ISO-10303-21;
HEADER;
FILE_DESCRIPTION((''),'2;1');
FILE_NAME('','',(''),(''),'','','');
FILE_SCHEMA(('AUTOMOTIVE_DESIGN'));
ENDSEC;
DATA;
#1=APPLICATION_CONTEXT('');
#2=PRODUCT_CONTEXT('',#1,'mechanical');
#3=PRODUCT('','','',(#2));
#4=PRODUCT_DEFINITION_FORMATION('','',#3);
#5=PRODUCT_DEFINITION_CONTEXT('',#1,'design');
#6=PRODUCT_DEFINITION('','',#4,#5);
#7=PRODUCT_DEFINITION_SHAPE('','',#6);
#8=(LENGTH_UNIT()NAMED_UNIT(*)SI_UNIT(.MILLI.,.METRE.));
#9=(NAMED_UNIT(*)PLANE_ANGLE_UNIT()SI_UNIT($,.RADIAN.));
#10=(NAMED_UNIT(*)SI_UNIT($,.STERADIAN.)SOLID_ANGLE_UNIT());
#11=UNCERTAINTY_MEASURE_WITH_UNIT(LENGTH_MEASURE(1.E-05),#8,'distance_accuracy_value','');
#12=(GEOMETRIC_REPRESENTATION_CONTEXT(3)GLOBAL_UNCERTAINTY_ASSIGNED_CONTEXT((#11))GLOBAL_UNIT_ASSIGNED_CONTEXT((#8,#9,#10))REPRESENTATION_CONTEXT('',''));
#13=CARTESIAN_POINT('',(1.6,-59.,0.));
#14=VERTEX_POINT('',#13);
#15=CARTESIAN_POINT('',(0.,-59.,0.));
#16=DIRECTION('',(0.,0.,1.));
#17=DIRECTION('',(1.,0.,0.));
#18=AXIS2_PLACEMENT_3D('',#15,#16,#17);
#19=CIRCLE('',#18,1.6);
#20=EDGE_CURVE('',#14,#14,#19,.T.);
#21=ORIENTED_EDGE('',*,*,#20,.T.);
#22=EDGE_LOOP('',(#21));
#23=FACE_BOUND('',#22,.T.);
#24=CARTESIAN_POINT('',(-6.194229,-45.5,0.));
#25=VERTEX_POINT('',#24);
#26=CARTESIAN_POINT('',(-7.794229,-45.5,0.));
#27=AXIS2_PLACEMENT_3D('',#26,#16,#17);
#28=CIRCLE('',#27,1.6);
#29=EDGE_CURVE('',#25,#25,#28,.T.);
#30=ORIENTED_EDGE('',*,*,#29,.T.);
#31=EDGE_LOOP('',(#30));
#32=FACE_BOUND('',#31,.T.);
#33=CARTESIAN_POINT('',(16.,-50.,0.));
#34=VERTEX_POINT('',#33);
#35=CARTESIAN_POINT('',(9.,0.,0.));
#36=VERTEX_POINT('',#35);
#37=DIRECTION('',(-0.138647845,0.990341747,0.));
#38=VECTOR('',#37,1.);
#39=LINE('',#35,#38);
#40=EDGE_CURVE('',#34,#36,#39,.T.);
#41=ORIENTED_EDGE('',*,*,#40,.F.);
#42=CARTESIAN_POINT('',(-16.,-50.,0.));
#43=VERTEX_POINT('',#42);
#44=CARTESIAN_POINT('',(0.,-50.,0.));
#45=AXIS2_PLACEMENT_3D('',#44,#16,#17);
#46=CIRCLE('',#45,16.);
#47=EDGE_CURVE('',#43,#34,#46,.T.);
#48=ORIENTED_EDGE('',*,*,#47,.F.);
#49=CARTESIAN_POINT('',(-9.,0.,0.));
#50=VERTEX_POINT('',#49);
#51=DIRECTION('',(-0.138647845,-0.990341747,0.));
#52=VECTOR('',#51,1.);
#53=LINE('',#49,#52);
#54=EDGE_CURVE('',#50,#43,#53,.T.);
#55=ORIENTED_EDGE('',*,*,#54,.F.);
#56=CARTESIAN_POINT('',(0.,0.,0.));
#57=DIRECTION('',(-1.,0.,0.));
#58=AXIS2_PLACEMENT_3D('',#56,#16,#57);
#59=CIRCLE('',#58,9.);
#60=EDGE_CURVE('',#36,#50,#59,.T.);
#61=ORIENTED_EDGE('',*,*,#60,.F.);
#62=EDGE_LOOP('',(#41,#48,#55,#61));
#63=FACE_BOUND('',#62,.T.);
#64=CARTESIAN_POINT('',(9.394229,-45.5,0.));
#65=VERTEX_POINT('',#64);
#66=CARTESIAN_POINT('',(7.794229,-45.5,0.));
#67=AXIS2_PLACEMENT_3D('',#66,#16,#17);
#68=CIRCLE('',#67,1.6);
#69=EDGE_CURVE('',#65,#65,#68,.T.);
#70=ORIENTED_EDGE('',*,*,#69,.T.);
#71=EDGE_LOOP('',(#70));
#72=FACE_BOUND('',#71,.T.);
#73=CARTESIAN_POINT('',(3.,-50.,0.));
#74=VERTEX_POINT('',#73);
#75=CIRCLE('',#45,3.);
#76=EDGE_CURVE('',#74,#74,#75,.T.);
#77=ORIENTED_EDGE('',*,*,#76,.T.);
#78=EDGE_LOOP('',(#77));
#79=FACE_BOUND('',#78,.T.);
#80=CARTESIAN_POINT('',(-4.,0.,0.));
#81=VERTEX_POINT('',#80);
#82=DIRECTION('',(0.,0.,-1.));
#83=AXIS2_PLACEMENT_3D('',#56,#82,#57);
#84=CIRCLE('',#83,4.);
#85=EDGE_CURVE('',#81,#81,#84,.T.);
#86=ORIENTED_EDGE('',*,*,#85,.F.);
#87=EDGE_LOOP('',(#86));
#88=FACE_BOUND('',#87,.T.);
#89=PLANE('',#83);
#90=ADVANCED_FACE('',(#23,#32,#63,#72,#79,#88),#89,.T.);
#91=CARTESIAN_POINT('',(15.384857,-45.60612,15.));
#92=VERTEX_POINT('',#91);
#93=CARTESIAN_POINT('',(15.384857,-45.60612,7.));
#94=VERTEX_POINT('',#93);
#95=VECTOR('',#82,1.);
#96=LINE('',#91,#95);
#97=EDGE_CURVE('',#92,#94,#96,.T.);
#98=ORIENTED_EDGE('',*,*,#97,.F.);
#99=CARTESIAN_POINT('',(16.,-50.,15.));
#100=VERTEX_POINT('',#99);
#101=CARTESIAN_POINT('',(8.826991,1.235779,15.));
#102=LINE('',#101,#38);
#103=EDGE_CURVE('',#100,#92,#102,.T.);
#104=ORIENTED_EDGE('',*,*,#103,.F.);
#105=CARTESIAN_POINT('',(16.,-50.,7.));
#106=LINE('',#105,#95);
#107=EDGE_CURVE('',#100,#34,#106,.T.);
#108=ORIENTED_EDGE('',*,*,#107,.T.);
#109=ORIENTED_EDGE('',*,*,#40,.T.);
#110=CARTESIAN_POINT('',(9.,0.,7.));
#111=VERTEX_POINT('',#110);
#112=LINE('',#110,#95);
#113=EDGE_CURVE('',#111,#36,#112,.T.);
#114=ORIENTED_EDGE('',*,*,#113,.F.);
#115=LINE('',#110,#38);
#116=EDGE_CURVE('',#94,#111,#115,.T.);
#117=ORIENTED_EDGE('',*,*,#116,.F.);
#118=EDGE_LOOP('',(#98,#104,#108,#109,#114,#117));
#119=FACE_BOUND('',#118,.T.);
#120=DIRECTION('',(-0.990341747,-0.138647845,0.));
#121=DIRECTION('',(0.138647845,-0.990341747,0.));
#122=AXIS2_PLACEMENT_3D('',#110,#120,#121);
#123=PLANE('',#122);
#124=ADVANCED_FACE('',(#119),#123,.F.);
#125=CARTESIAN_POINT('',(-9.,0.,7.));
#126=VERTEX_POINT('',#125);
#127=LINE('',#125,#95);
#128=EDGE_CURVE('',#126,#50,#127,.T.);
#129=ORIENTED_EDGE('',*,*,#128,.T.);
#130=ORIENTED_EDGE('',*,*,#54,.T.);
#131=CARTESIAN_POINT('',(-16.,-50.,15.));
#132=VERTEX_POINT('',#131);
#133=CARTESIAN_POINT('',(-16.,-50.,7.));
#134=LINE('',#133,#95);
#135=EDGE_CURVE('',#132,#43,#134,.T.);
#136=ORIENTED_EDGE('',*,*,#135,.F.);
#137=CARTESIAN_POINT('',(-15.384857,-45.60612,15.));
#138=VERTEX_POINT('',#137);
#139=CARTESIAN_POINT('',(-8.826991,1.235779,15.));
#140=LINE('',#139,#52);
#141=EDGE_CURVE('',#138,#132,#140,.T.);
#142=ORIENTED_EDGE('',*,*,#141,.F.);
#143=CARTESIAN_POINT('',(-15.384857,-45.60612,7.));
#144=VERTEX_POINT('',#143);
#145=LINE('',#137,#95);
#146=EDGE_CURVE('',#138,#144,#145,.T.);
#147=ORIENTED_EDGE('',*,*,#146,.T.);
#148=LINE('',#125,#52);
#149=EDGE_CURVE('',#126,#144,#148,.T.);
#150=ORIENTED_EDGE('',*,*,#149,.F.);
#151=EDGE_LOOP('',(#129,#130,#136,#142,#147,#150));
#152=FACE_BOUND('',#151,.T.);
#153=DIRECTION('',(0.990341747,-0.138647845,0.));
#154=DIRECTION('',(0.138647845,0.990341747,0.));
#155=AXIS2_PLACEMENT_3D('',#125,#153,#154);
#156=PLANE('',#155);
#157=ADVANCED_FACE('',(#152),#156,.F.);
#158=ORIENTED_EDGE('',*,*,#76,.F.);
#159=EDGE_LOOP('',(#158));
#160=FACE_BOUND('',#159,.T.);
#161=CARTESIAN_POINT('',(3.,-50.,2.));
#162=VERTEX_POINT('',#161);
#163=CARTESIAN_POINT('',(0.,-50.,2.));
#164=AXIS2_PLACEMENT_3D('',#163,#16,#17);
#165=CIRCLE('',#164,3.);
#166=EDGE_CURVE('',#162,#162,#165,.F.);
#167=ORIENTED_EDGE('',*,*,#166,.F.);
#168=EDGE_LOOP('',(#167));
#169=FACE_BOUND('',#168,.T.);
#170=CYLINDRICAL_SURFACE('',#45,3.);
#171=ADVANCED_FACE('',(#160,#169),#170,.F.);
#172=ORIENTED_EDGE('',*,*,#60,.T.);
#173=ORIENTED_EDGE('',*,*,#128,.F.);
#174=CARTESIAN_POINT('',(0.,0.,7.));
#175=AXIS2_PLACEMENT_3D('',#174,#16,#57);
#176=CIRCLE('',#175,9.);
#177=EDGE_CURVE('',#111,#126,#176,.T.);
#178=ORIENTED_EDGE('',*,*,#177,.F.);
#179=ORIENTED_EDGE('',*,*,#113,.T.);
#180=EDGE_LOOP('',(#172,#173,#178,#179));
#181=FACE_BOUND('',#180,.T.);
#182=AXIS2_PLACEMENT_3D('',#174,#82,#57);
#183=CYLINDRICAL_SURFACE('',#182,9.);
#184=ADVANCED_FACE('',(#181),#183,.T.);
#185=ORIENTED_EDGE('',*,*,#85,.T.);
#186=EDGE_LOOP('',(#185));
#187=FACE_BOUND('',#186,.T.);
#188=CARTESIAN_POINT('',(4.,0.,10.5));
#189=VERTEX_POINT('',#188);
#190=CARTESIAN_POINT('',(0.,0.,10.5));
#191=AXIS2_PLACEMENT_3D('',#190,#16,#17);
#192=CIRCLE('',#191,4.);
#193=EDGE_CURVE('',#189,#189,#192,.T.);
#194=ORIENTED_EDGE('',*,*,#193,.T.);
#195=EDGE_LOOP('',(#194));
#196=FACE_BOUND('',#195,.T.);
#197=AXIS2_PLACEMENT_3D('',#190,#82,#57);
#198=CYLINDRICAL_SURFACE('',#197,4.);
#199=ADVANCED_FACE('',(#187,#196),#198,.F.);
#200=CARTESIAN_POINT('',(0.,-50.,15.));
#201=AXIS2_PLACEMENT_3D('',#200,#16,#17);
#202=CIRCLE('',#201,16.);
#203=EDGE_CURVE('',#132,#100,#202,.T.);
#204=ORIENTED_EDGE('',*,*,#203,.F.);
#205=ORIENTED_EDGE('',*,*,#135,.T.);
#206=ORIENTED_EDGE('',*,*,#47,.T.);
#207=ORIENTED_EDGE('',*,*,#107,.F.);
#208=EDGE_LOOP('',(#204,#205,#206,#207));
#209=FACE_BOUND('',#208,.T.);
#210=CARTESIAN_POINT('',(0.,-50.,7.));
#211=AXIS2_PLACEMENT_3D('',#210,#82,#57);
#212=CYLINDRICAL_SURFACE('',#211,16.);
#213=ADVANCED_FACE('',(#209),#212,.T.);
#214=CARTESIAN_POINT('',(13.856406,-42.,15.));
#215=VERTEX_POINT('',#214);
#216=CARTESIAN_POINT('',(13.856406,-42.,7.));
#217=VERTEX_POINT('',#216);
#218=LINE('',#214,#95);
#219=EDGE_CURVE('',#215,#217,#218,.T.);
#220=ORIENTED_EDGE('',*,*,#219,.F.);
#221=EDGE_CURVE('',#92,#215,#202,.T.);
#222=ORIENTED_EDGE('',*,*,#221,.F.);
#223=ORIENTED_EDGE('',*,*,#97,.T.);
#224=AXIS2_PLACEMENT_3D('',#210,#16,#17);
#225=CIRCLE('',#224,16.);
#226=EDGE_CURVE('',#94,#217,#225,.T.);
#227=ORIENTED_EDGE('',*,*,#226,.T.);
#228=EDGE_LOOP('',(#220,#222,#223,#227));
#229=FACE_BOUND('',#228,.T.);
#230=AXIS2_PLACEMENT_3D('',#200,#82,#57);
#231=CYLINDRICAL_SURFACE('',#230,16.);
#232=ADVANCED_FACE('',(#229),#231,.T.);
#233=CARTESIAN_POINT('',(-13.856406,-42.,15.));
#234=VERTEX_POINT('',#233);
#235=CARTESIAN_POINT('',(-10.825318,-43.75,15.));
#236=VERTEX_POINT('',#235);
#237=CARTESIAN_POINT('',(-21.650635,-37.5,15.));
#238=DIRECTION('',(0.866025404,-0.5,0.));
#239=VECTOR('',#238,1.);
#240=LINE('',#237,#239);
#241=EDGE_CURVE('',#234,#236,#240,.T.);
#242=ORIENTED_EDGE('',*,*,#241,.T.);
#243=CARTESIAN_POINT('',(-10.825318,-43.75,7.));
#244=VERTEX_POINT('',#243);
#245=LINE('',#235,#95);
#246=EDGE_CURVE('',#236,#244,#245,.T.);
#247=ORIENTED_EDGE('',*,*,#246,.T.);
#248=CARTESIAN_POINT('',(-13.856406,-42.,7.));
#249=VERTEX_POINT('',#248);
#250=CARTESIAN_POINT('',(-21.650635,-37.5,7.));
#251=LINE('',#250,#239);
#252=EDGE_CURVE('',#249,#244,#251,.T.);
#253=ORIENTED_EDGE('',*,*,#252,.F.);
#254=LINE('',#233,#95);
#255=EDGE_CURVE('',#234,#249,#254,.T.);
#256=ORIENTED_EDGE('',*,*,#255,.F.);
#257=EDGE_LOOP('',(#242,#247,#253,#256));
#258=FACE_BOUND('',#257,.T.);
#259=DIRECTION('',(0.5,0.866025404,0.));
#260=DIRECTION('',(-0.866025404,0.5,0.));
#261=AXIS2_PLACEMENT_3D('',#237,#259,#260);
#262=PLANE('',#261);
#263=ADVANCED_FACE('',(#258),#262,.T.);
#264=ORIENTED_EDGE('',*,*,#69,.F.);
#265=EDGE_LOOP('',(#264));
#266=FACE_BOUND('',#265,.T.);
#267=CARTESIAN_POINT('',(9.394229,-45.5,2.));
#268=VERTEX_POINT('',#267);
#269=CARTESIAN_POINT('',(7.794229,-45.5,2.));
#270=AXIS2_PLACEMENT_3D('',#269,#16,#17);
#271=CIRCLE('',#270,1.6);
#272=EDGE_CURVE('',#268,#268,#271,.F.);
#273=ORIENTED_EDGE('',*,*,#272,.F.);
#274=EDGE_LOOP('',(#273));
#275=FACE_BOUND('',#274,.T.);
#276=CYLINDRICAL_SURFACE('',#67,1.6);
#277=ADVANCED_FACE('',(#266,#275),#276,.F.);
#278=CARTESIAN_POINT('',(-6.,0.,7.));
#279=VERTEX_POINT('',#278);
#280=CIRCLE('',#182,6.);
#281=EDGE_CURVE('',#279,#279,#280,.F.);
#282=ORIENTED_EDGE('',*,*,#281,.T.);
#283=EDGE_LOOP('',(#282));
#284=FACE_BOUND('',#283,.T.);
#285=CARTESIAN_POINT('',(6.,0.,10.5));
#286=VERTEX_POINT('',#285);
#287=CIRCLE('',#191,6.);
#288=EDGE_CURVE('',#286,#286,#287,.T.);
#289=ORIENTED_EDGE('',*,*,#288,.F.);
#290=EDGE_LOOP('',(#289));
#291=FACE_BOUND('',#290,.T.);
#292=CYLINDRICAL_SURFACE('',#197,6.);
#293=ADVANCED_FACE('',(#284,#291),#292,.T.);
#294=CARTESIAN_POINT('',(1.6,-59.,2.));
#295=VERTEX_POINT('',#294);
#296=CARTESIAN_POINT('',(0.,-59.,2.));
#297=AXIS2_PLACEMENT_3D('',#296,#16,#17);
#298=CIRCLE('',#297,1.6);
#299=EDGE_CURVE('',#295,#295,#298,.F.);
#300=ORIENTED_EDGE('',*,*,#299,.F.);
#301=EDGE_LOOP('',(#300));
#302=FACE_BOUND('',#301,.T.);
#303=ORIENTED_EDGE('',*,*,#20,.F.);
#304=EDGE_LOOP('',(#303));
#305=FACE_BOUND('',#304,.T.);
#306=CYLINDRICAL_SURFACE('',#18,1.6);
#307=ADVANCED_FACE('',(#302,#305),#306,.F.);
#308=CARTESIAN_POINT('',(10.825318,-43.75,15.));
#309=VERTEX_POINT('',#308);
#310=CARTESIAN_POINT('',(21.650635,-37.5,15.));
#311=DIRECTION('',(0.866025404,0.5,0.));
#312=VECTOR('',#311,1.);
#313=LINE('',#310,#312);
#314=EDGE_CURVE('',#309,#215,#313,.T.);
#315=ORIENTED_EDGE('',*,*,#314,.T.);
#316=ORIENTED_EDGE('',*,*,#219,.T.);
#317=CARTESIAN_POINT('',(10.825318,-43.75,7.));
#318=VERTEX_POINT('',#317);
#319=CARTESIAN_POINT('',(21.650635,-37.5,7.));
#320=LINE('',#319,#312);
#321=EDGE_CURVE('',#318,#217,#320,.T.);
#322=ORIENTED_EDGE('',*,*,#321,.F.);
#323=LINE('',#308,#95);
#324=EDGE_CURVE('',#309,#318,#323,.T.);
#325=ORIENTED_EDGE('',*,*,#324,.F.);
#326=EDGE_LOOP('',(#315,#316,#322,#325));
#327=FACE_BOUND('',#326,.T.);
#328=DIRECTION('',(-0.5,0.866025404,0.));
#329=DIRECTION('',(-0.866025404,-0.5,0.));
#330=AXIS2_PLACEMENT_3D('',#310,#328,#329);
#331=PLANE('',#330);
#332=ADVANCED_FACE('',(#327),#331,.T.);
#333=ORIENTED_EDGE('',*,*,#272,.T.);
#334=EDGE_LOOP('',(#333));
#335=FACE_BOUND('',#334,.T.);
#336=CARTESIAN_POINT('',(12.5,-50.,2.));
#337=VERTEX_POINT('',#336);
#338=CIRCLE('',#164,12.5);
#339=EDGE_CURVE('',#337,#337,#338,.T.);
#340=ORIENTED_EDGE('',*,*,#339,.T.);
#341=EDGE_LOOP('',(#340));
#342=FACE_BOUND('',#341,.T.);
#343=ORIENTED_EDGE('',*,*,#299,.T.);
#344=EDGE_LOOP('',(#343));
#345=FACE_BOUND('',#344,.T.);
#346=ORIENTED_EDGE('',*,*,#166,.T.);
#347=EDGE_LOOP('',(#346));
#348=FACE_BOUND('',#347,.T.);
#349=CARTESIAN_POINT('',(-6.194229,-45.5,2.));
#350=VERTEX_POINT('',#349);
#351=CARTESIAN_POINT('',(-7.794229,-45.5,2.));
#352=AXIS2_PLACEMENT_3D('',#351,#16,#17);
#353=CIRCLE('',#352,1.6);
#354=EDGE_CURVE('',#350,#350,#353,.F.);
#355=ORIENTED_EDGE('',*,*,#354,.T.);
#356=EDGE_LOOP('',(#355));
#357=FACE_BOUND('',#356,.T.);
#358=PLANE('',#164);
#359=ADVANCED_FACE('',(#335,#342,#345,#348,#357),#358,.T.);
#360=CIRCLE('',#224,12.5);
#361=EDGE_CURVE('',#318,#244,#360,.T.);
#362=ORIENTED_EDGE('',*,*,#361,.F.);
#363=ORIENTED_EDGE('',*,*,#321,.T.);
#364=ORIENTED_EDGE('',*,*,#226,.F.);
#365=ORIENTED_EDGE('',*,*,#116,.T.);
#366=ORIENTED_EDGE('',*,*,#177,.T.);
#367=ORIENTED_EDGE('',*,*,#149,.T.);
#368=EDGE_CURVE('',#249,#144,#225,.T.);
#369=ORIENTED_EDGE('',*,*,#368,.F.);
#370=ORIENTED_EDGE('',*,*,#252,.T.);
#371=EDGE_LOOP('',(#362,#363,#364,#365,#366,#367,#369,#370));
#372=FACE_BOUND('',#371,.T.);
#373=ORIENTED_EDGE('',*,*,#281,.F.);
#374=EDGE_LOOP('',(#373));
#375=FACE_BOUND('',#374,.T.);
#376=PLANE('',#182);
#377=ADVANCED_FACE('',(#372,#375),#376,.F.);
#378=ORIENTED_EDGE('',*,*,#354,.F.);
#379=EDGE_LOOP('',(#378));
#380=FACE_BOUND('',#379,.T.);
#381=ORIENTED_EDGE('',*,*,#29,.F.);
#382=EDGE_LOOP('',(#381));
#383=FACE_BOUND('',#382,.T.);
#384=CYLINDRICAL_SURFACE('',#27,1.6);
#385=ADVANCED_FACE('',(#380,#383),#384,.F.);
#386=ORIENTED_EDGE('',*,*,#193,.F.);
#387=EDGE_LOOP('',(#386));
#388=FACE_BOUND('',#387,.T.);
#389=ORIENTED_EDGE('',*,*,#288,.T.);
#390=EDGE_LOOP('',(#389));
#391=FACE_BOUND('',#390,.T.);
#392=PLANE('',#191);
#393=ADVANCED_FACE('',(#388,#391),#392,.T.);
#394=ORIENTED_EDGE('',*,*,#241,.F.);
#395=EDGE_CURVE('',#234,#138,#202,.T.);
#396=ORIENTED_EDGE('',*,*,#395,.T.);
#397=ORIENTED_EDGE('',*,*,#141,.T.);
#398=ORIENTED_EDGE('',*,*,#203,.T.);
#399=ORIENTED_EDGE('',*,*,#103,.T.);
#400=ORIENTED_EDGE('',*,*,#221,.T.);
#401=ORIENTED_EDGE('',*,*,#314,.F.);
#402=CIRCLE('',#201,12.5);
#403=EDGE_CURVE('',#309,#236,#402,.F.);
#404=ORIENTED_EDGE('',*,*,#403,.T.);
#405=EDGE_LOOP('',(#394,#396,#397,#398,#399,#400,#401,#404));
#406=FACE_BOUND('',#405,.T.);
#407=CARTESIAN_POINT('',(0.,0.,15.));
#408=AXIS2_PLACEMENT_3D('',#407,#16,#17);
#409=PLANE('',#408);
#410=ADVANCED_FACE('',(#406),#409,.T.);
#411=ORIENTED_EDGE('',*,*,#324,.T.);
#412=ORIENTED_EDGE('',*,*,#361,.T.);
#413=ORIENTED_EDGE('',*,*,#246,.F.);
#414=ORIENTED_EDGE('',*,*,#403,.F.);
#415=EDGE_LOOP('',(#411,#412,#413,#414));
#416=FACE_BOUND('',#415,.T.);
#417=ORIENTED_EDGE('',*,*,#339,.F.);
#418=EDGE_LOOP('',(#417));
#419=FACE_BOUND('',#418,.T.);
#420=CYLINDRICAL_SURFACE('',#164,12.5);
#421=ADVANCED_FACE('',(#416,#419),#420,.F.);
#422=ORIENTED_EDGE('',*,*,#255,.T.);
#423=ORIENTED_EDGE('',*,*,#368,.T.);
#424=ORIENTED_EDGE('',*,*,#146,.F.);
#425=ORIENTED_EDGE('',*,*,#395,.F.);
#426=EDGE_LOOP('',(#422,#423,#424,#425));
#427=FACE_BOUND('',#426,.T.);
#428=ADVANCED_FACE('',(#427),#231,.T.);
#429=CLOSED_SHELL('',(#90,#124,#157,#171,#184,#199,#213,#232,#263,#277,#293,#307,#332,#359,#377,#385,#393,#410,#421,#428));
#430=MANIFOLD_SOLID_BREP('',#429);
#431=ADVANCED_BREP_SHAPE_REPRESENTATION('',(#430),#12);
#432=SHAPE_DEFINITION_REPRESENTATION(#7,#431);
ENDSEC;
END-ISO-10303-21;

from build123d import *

# Parameters (mm, degrees)
BOSS_EXTRU_1_DEPTH      = 7
ESQUISSE2_R             = 3
ENL_V_MAT_EXTRU_1_DEPTH = 7
ESQUISSE3_R             = 1.6
ENL_V_MAT_EXTRU_2_DEPTH = 7
ESQUISSE5_R             = 12.5
ENL_V_MAT_EXTRU_5_DEPTH = 5
ESQUISSE17_R            = 6
ESQUISSE17_R_2          = 4
BOSS_EXTRU_6_DEPTH      = 3.5
BOSS_EXTRU_8_DEPTH      = 8
ENL_V_START             = -8
ESQUISSE19_R            = 4
ENL_V_MAT_EXTRU_6_DEPTH = 8


with BuildPart() as part:
    # Esquisse1 → Boss.-Extru.1 (new body)
    with BuildSketch(Plane.XY):
        with BuildLine():
            Line((9, 0), (16, -50))
            ThreePointArc((16, -50), (0, -66), (-16, -50))
            Line((-16, -50), (-9, 0))
            ThreePointArc((-9, 0), (0, 9), (9, 0))
        make_face()
    extrude(amount=BOSS_EXTRU_1_DEPTH)

    # Esquisse2 → Enlèv. mat.-Extru.1 (cut)
    with BuildSketch(Plane.XY.offset(7)):
        with Locations((0, -50)):
            Circle(ESQUISSE2_R)
    extrude(amount=-ENL_V_MAT_EXTRU_1_DEPTH, mode=Mode.SUBTRACT)

    # Esquisse3 → Enlèv. mat.-Extru.2 (cut)
    with BuildSketch(Plane.XY.offset(7)):
        with Locations((0, -59)):
            Circle(ESQUISSE3_R)
        with Locations((-7.794228634, -45.5)):
            Circle(ESQUISSE3_R)
        with Locations((7.794228634, -45.5)):
            Circle(ESQUISSE3_R)
    extrude(amount=-ENL_V_MAT_EXTRU_2_DEPTH, mode=Mode.SUBTRACT)

    # Esquisse5 → Enlèv. mat.-Extru.5 (cut)
    with BuildSketch(Plane.XY.offset(7)):
        with Locations((0, -50)):
            Circle(ESQUISSE5_R)
    extrude(amount=-ENL_V_MAT_EXTRU_5_DEPTH, mode=Mode.SUBTRACT)

    # Esquisse17 → Boss.-Extru.6 (add)
    with BuildSketch(Plane.XY.offset(7)):
        with Locations(Location((0, 0, 0), (0, 0, 180))):
            Circle(ESQUISSE17_R)
        Circle(ESQUISSE17_R_2, mode=Mode.SUBTRACT)
    extrude(amount=BOSS_EXTRU_6_DEPTH)

    # Esquisse18 → Boss.-Extru.8 (add)
    with BuildSketch(Plane.XY.offset(7)):
        with BuildLine():
            Line((-10.825317547, -43.75), (-13.856406461, -42))
            ThreePointArc((-13.856406461, -42), (-14.731391476, -43.756114576), (-15.384856807, -45.606120047))
            Line((-15.384856807, -45.606120047), (-16, -50))
            ThreePointArc((-16, -50), (0, -66), (16, -50))
            Line((16, -50), (15.384856807, -45.606120047))
            ThreePointArc((15.384856807, -45.606120047), (14.731391476, -43.756114576), (13.856406461, -42))
            Line((13.856406461, -42), (10.825317547, -43.75))
            ThreePointArc((10.825317547, -43.75), (12.074072829, -46.764761936), (12.5, -50))
            ThreePointArc((12.5, -50), (-3.235238064, -62.074072829), (-10.825317547, -43.75))
        make_face()
    extrude(amount=BOSS_EXTRU_8_DEPTH)

    # Esquisse19 → Enlèv. mat.-Extru.6 (cut)
    with BuildSketch(Plane.XY.offset(7).offset(ENL_V_START)):
        with Locations(Location((0, 0, 0), (0, 0, 180))):
            Circle(ESQUISSE19_R)
    extrude(amount=ENL_V_MAT_EXTRU_6_DEPTH, mode=Mode.SUBTRACT)


solid = part.part
